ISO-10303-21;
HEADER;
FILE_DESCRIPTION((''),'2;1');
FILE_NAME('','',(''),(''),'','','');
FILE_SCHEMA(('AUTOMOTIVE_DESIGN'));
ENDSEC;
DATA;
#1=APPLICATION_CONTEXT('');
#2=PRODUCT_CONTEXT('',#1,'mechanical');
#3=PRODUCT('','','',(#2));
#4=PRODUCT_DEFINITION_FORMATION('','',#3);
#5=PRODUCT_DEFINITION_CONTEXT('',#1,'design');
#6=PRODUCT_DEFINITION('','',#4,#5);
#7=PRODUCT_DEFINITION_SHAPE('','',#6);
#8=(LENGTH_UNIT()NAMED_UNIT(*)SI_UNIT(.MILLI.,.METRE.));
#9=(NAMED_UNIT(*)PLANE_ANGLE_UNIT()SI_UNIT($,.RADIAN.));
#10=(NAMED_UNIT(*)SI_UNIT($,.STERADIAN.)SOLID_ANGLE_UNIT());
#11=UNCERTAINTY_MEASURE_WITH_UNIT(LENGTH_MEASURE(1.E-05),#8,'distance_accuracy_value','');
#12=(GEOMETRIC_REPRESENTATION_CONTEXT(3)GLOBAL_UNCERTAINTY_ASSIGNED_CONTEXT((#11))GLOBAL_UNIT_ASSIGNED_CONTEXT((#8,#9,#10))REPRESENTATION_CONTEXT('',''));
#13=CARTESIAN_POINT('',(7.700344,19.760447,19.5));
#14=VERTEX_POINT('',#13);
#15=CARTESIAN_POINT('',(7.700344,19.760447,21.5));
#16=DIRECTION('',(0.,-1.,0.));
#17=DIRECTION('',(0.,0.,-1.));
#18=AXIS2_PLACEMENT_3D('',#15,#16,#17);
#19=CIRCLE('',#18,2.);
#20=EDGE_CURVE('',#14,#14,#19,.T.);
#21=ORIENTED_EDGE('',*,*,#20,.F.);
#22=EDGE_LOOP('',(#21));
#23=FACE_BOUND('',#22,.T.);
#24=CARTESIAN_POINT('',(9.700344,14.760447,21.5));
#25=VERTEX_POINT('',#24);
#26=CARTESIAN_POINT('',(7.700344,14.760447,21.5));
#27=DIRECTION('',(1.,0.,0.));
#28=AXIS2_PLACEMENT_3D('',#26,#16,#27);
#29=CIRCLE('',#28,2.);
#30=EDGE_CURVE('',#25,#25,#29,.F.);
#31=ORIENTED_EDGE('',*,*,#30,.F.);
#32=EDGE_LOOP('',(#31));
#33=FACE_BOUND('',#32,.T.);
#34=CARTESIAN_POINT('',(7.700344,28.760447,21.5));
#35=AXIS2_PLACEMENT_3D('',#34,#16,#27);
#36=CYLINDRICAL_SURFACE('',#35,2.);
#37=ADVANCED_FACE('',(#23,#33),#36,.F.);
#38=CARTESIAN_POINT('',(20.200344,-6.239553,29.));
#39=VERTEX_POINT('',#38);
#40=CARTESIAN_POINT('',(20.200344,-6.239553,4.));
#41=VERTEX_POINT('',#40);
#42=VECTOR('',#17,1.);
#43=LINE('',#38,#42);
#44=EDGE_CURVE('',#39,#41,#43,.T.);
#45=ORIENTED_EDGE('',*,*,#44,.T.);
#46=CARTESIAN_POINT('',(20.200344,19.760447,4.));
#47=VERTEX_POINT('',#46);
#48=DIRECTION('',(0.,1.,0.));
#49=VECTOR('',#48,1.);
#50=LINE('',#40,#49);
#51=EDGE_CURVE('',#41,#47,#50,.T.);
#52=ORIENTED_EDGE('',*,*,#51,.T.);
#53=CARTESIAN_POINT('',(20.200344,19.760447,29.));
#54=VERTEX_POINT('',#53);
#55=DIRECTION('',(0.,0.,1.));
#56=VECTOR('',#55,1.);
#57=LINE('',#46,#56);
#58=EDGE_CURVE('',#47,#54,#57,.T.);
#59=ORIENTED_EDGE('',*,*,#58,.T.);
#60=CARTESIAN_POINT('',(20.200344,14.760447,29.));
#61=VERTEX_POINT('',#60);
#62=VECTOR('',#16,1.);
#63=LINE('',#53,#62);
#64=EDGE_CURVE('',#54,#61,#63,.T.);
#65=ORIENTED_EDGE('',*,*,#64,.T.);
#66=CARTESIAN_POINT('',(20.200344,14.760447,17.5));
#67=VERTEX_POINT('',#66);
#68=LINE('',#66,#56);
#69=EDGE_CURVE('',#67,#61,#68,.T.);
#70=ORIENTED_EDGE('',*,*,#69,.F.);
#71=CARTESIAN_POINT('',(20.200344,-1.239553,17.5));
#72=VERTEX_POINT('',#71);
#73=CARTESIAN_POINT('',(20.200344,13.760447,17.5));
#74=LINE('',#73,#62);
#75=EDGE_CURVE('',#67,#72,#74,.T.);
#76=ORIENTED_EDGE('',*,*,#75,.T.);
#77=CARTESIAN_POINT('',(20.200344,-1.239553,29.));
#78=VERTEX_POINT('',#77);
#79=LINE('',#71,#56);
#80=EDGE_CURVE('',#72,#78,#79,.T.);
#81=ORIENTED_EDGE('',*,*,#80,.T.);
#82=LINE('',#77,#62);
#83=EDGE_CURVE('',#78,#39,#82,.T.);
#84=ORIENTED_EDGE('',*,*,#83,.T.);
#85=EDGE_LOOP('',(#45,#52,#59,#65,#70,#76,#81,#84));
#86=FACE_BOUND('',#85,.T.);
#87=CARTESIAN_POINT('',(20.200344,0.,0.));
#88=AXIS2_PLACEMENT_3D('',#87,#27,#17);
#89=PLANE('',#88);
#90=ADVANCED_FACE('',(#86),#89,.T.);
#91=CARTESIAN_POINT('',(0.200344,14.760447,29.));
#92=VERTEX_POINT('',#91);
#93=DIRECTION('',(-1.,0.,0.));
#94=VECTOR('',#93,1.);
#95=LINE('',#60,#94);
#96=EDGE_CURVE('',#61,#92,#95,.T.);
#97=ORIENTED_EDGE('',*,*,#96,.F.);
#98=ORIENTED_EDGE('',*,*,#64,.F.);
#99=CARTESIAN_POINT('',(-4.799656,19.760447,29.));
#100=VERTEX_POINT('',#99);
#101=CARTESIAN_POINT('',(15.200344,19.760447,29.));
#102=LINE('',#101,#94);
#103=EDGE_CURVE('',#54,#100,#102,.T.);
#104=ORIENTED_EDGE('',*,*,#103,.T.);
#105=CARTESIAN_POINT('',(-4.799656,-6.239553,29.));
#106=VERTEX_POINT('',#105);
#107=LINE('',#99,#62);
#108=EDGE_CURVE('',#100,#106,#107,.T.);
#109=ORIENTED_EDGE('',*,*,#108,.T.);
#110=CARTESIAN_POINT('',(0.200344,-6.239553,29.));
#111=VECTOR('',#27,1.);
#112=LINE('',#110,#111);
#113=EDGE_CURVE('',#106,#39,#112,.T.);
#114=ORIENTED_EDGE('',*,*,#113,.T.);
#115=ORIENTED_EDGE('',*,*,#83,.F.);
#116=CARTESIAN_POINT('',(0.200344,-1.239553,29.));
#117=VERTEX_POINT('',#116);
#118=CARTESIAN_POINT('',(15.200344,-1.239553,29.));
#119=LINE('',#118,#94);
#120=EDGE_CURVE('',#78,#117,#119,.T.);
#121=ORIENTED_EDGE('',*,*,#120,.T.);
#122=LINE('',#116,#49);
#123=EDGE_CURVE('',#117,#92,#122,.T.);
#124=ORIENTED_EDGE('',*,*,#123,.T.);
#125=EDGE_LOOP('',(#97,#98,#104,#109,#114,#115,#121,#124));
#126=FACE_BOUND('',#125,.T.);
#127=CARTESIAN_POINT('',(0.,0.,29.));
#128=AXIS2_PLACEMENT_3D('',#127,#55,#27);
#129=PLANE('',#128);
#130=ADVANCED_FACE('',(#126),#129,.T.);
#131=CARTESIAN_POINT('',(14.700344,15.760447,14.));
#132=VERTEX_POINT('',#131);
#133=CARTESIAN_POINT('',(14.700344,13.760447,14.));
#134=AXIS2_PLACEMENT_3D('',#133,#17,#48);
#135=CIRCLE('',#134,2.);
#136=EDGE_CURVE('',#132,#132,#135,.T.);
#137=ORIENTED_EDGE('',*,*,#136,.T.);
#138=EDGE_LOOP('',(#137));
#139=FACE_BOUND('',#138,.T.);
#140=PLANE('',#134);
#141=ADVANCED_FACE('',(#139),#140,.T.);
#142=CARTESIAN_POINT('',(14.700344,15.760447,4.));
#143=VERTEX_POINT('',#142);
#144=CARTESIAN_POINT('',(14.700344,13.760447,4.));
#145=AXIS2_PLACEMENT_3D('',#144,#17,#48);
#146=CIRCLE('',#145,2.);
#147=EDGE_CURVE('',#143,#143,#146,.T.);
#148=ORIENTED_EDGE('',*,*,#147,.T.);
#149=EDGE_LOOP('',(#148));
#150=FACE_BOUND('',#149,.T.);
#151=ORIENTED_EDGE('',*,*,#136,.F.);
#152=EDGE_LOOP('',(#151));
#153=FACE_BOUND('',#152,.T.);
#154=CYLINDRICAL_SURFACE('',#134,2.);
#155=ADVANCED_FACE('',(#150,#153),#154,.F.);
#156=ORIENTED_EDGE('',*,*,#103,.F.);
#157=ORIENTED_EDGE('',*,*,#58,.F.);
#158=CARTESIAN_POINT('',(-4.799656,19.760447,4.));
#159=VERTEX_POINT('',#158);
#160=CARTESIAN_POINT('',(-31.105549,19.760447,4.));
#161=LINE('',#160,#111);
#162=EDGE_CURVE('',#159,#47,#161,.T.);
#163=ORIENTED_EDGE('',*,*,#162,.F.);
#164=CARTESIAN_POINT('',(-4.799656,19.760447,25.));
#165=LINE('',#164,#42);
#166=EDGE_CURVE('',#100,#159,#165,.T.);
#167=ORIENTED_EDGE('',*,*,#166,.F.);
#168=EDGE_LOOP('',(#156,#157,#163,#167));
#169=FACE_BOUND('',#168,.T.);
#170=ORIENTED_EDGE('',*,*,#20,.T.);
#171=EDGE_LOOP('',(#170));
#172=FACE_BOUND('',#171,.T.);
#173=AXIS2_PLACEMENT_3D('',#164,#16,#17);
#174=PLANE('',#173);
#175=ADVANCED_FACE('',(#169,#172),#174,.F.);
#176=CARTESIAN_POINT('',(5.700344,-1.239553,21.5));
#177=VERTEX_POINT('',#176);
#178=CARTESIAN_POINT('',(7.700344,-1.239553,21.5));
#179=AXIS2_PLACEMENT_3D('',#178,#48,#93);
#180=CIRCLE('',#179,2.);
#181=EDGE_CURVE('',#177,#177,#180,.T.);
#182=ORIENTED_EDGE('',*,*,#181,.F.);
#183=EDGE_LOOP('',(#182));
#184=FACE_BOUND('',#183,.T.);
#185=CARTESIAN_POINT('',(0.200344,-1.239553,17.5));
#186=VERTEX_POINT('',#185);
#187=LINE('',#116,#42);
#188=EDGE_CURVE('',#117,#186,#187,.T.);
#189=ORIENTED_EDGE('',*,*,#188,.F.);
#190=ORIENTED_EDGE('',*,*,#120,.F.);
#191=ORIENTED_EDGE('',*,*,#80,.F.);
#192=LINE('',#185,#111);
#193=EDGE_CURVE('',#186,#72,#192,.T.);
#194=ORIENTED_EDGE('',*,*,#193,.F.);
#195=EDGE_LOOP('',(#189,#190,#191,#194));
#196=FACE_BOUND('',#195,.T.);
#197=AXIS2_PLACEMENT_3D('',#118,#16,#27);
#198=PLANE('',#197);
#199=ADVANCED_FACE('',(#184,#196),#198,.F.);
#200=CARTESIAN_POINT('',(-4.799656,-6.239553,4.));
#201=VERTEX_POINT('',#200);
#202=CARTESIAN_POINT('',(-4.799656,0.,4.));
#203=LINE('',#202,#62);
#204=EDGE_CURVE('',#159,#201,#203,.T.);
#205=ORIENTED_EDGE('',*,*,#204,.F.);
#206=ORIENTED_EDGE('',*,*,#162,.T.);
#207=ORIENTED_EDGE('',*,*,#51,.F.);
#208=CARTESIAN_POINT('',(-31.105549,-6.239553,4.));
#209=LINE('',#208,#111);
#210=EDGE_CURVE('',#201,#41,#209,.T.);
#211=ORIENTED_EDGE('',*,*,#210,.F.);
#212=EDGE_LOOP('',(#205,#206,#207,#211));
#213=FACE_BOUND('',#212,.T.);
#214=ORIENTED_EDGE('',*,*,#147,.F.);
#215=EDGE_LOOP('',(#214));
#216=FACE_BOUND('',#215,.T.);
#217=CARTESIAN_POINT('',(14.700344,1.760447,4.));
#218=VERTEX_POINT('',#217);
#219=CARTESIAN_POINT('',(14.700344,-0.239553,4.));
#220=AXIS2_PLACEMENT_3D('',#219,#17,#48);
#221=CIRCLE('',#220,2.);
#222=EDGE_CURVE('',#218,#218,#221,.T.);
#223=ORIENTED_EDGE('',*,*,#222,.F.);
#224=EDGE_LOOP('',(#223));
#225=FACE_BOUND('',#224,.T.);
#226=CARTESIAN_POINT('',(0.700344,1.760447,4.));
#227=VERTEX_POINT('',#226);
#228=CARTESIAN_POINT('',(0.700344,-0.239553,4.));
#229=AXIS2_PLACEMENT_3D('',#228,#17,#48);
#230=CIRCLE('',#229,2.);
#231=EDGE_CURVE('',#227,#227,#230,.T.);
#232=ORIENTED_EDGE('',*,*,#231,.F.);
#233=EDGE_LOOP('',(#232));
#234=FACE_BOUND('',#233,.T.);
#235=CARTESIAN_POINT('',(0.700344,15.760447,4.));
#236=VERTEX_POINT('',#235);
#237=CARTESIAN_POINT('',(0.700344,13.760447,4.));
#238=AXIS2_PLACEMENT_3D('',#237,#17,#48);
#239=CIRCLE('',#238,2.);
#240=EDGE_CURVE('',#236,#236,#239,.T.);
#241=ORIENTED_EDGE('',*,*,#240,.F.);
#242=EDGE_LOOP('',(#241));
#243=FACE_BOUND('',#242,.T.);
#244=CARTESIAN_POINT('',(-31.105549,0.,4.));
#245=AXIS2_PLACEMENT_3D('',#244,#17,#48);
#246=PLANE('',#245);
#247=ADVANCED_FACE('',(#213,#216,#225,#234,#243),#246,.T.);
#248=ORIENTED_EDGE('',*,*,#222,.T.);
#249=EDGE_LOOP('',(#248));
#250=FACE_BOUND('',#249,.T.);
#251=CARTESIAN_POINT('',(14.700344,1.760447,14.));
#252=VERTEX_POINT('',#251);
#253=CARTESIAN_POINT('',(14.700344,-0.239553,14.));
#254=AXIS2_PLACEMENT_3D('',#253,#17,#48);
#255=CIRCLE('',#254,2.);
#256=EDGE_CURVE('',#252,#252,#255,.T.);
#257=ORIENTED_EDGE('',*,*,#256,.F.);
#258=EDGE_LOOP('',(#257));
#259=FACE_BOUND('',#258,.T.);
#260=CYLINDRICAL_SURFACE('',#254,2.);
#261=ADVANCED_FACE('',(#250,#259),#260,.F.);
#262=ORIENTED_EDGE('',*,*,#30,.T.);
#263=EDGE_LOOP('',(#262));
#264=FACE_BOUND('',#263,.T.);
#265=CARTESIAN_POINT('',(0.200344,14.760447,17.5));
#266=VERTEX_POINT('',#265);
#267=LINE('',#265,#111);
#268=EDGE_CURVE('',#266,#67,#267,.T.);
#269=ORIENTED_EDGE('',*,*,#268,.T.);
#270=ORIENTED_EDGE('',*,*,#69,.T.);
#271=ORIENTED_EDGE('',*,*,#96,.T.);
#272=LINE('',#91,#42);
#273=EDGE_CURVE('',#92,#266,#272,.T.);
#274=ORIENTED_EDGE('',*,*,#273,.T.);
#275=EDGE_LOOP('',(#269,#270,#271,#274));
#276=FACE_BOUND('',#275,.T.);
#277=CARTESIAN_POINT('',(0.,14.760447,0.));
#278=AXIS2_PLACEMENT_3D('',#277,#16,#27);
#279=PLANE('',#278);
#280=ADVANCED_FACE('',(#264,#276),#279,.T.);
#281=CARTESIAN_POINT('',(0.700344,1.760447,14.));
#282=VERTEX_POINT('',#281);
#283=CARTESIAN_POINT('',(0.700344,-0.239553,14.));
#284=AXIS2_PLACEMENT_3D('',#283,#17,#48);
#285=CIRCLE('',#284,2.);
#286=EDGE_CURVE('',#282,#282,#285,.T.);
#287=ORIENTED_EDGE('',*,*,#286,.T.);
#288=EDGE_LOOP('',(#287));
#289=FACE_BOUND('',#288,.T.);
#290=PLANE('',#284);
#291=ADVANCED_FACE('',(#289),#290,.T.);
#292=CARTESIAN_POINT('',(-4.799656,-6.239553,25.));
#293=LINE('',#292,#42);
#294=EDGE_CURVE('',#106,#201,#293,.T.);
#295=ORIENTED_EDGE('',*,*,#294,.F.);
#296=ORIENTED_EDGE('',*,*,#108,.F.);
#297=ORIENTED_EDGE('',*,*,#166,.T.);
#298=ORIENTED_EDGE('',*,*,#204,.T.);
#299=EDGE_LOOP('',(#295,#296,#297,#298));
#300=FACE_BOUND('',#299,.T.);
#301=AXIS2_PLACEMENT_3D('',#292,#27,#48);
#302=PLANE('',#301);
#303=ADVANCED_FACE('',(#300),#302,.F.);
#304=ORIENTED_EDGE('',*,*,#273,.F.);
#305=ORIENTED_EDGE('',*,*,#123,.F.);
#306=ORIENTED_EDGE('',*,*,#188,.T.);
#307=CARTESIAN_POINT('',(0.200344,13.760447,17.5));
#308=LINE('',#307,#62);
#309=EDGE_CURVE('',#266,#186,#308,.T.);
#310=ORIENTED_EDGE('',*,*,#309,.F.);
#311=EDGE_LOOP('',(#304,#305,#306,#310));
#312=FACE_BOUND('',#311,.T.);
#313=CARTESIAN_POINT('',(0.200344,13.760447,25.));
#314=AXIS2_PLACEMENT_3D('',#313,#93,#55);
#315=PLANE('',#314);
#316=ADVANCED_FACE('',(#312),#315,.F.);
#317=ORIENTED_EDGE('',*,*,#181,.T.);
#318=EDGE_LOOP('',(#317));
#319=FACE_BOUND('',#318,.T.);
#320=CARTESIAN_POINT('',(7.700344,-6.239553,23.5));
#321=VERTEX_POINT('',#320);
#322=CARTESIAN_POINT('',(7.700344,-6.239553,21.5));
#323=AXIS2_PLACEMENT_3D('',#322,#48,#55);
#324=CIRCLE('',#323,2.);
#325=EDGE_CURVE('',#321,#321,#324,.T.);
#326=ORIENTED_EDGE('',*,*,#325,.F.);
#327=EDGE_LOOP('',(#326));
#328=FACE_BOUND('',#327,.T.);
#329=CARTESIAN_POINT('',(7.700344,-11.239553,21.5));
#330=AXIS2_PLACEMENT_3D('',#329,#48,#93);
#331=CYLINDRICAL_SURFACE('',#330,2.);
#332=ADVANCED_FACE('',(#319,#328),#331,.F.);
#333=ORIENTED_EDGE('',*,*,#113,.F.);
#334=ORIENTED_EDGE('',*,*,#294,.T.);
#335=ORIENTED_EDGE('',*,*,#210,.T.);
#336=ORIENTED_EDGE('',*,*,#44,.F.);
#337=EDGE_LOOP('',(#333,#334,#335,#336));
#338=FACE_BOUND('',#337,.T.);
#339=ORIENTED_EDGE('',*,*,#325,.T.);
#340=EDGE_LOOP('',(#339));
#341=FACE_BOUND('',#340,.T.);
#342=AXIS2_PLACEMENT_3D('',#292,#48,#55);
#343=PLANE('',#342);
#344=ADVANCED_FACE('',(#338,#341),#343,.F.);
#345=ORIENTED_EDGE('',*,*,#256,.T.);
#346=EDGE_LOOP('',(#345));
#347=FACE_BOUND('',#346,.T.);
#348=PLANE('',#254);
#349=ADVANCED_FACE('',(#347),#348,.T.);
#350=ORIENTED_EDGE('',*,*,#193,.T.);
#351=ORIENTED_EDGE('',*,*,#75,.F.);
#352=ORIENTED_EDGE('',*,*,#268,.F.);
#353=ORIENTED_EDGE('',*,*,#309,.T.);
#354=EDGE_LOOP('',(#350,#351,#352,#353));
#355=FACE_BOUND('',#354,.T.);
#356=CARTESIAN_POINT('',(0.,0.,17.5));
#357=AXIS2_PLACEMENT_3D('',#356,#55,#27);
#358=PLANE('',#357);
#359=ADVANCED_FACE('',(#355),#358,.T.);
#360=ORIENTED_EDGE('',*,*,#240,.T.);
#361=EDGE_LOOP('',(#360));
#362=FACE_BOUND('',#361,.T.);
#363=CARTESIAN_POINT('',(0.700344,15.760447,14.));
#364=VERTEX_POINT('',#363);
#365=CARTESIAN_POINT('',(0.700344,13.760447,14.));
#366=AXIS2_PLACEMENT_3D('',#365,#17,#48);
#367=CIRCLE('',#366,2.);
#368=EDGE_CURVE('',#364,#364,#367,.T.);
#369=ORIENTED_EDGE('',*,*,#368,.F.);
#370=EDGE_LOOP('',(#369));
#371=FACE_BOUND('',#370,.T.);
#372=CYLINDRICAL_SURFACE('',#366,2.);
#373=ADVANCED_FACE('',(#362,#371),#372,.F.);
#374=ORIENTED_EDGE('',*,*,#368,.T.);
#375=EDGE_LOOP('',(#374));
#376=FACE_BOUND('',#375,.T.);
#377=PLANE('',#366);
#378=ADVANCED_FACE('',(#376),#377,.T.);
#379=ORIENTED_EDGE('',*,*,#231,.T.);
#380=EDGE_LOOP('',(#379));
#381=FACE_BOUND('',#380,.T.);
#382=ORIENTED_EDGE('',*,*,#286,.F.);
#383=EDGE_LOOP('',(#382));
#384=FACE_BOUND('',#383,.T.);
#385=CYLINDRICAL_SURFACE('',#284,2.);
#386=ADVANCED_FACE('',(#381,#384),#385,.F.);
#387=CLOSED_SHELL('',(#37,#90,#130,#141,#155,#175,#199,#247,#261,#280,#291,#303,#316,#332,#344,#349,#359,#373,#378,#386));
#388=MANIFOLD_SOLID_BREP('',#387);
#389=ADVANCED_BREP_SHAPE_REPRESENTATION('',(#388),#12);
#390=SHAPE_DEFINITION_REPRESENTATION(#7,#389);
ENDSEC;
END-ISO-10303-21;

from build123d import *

# Parameters (mm, degrees)
BOSS_EXTRUDE1_DEPTH = 25
SKETCH3_R           = 2
CUT_EXTRUDE1_DEPTH  = 15
SKETCH2_W           = 4
SKETCH2_H           = 26
BOSS_EXTRUDE2_DEPTH = 20
SKETCH7_W           = 15
SKETCH7_H           = 5
BOSS_EXTRUDE4_DEPTH = 25
CUT_EXTRUDE2_DEPTH  = 20
BOSS_EXTRUDE5_DEPTH = 4
CUT_EXTRUDE3_START  = -10
SKETCH10_R          = 2
CUT_EXTRUDE3_DEPTH  = 10
SKETCH11_W          = 15
SKETCH11_H          = 15
BOSS_EXTRUDE6_DEPTH = 14
SKETCH14_W          = 15
SKETCH14_H          = 15
CUT_EXTRUDE5_DEPTH  = 0.5
BOSS_EXTRUDE7_DEPTH = 5
SKETCH13_R          = 2
CUT_EXTRUDE6_DEPTH  = 10
SKETCH17_W          = 20
SKETCH17_H          = 11.5
CUT_EXTRUDE7_DEPTH  = 1


with BuildPart() as part:
    # Sketch1 → Boss-Extrude1 (new body)
    with BuildSketch(Plane.XY):
        Polygon((15.200344072, 13.760447293), (0.200344072, 13.760447293), (0.200344072, -6.239552707), (-4.799655928, -6.239552707), (-4.799655928, 19.760447293), (15.200344072, 19.760447293), align=None)
    extrude(amount=BOSS_EXTRUDE1_DEPTH)

    # Sketch3 → Cut-Extrude1 (cut)
    with BuildSketch(Plane.XZ.offset(-13.760447293)):
        with Locations((7.700344072, 21.5)):
            Circle(SKETCH3_R)
    extrude(amount=-CUT_EXTRUDE1_DEPTH, mode=Mode.SUBTRACT)

    # Sketch2 → Boss-Extrude2 (add)
    with BuildSketch(Plane.ZY.offset(4.799655928)):
        with Locations((2, 6.760447293)):
            Rectangle(SKETCH2_W, SKETCH2_H)
    extrude(amount=-BOSS_EXTRUDE2_DEPTH)

    # Sketch7 → Boss-Extrude4 (add)
    with BuildSketch(Plane.XY.offset(4)):
        with Locations((7.700344072, -3.739552707)):
            Rectangle(SKETCH7_W, SKETCH7_H)
    extrude(amount=BOSS_EXTRUDE4_DEPTH)

    # Sketch8 → Cut-Extrude2 (cut)
    with BuildSketch(Plane(origin=(15.200344072, 0, 0), x_dir=(0, 0, -1), z_dir=(1, 0, 0))):
        Polygon((-4, -1.239552707), (-4, -6.239552707), (0, -6.239552707), (0, 19.760447293), (-4, 19.760447293), (-4, 13.760447293), align=None)
    extrude(amount=-CUT_EXTRUDE2_DEPTH, mode=Mode.SUBTRACT)

    # Sketch9 → Boss-Extrude5 (add)
    with BuildSketch(Plane.XY.offset(25)):
        Polygon((15.200344072, 13.760447293), (15.200344072, 19.760447293), (-4.799655928, 19.760447293), (-4.799655928, -6.239552707), (0.200344072, -6.239552707), (0.200344072, -1.239552707), (0.200344072, 13.760447293), align=None)
    extrude(amount=BOSS_EXTRUDE5_DEPTH)

    # Sketch10 → Cut-Extrude3 (cut)
    with BuildSketch(Plane(origin=(0, -1.239552707, 0), x_dir=(1, 0, 0), z_dir=(0, 1, 0)).offset(CUT_EXTRUDE3_START)):
        with Locations((7.700344072, -21.5)):
            Circle(SKETCH10_R)
    extrude(amount=CUT_EXTRUDE3_DEPTH, mode=Mode.SUBTRACT)

    # Sketch11 → Boss-Extrude6 (add)
    with BuildSketch(Plane(origin=(0, 0, 4), x_dir=(-1, 0, 0), z_dir=(0, 0, -1))):
        with Locations((-7.700344072, 6.260447293)):
            Rectangle(SKETCH11_W, SKETCH11_H)
    extrude(amount=-BOSS_EXTRUDE6_DEPTH)

    # Sketch14 → Cut-Extrude5 (cut)
    with BuildSketch(Plane.XY.offset(18)):
        with Locations((7.700344072, 6.260447293)):
            Rectangle(SKETCH14_W, SKETCH14_H)
    extrude(amount=-CUT_EXTRUDE5_DEPTH, mode=Mode.SUBTRACT)

    # Sketch16 → Boss-Extrude7 (add)
    with BuildSketch(Plane(origin=(15.200344072, 0, 0), x_dir=(0, 0, -1), z_dir=(1, 0, 0))):
        Polygon((-29, 13.760447293), (-17.5, 13.760447293), (-17.5, -1.239552707), (-29, -1.239552707), (-29, -6.239552707), (-4, -6.239552707), (-4, 19.760447293), (-29, 19.760447293), align=None)
    extrude(amount=BOSS_EXTRUDE7_DEPTH)

    # Sketch13 → Cut-Extrude6 (cut)
    with BuildSketch(Plane(origin=(0, 0, 4), x_dir=(-1, 0, 0), z_dir=(0, 0, -1))):
        with Locations(Location((-14.700344072, -0.239552707, 0), (0, 0, 90))):
            Circle(SKETCH13_R)
        with Locations(Location((-14.700344072, 13.760447293, 0), (0, 0, 90))):
            Circle(SKETCH13_R)
        with Locations(Location((-0.700344072, 13.760447293, 0), (0, 0, 90))):
            Circle(SKETCH13_R)
        with Locations(Location((-0.700344072, -0.239552707, 0), (0, 0, 90))):
            Circle(SKETCH13_R)
    extrude(amount=-CUT_EXTRUDE6_DEPTH, mode=Mode.SUBTRACT)

    # Sketch17 → Cut-Extrude7 (cut)
    with BuildSketch(Plane.XZ.offset(-13.760447293)):
        with Locations((10.200344072, 23.25)):
            Rectangle(SKETCH17_W, SKETCH17_H)
    extrude(amount=-CUT_EXTRUDE7_DEPTH, mode=Mode.SUBTRACT)


solid = part.part
